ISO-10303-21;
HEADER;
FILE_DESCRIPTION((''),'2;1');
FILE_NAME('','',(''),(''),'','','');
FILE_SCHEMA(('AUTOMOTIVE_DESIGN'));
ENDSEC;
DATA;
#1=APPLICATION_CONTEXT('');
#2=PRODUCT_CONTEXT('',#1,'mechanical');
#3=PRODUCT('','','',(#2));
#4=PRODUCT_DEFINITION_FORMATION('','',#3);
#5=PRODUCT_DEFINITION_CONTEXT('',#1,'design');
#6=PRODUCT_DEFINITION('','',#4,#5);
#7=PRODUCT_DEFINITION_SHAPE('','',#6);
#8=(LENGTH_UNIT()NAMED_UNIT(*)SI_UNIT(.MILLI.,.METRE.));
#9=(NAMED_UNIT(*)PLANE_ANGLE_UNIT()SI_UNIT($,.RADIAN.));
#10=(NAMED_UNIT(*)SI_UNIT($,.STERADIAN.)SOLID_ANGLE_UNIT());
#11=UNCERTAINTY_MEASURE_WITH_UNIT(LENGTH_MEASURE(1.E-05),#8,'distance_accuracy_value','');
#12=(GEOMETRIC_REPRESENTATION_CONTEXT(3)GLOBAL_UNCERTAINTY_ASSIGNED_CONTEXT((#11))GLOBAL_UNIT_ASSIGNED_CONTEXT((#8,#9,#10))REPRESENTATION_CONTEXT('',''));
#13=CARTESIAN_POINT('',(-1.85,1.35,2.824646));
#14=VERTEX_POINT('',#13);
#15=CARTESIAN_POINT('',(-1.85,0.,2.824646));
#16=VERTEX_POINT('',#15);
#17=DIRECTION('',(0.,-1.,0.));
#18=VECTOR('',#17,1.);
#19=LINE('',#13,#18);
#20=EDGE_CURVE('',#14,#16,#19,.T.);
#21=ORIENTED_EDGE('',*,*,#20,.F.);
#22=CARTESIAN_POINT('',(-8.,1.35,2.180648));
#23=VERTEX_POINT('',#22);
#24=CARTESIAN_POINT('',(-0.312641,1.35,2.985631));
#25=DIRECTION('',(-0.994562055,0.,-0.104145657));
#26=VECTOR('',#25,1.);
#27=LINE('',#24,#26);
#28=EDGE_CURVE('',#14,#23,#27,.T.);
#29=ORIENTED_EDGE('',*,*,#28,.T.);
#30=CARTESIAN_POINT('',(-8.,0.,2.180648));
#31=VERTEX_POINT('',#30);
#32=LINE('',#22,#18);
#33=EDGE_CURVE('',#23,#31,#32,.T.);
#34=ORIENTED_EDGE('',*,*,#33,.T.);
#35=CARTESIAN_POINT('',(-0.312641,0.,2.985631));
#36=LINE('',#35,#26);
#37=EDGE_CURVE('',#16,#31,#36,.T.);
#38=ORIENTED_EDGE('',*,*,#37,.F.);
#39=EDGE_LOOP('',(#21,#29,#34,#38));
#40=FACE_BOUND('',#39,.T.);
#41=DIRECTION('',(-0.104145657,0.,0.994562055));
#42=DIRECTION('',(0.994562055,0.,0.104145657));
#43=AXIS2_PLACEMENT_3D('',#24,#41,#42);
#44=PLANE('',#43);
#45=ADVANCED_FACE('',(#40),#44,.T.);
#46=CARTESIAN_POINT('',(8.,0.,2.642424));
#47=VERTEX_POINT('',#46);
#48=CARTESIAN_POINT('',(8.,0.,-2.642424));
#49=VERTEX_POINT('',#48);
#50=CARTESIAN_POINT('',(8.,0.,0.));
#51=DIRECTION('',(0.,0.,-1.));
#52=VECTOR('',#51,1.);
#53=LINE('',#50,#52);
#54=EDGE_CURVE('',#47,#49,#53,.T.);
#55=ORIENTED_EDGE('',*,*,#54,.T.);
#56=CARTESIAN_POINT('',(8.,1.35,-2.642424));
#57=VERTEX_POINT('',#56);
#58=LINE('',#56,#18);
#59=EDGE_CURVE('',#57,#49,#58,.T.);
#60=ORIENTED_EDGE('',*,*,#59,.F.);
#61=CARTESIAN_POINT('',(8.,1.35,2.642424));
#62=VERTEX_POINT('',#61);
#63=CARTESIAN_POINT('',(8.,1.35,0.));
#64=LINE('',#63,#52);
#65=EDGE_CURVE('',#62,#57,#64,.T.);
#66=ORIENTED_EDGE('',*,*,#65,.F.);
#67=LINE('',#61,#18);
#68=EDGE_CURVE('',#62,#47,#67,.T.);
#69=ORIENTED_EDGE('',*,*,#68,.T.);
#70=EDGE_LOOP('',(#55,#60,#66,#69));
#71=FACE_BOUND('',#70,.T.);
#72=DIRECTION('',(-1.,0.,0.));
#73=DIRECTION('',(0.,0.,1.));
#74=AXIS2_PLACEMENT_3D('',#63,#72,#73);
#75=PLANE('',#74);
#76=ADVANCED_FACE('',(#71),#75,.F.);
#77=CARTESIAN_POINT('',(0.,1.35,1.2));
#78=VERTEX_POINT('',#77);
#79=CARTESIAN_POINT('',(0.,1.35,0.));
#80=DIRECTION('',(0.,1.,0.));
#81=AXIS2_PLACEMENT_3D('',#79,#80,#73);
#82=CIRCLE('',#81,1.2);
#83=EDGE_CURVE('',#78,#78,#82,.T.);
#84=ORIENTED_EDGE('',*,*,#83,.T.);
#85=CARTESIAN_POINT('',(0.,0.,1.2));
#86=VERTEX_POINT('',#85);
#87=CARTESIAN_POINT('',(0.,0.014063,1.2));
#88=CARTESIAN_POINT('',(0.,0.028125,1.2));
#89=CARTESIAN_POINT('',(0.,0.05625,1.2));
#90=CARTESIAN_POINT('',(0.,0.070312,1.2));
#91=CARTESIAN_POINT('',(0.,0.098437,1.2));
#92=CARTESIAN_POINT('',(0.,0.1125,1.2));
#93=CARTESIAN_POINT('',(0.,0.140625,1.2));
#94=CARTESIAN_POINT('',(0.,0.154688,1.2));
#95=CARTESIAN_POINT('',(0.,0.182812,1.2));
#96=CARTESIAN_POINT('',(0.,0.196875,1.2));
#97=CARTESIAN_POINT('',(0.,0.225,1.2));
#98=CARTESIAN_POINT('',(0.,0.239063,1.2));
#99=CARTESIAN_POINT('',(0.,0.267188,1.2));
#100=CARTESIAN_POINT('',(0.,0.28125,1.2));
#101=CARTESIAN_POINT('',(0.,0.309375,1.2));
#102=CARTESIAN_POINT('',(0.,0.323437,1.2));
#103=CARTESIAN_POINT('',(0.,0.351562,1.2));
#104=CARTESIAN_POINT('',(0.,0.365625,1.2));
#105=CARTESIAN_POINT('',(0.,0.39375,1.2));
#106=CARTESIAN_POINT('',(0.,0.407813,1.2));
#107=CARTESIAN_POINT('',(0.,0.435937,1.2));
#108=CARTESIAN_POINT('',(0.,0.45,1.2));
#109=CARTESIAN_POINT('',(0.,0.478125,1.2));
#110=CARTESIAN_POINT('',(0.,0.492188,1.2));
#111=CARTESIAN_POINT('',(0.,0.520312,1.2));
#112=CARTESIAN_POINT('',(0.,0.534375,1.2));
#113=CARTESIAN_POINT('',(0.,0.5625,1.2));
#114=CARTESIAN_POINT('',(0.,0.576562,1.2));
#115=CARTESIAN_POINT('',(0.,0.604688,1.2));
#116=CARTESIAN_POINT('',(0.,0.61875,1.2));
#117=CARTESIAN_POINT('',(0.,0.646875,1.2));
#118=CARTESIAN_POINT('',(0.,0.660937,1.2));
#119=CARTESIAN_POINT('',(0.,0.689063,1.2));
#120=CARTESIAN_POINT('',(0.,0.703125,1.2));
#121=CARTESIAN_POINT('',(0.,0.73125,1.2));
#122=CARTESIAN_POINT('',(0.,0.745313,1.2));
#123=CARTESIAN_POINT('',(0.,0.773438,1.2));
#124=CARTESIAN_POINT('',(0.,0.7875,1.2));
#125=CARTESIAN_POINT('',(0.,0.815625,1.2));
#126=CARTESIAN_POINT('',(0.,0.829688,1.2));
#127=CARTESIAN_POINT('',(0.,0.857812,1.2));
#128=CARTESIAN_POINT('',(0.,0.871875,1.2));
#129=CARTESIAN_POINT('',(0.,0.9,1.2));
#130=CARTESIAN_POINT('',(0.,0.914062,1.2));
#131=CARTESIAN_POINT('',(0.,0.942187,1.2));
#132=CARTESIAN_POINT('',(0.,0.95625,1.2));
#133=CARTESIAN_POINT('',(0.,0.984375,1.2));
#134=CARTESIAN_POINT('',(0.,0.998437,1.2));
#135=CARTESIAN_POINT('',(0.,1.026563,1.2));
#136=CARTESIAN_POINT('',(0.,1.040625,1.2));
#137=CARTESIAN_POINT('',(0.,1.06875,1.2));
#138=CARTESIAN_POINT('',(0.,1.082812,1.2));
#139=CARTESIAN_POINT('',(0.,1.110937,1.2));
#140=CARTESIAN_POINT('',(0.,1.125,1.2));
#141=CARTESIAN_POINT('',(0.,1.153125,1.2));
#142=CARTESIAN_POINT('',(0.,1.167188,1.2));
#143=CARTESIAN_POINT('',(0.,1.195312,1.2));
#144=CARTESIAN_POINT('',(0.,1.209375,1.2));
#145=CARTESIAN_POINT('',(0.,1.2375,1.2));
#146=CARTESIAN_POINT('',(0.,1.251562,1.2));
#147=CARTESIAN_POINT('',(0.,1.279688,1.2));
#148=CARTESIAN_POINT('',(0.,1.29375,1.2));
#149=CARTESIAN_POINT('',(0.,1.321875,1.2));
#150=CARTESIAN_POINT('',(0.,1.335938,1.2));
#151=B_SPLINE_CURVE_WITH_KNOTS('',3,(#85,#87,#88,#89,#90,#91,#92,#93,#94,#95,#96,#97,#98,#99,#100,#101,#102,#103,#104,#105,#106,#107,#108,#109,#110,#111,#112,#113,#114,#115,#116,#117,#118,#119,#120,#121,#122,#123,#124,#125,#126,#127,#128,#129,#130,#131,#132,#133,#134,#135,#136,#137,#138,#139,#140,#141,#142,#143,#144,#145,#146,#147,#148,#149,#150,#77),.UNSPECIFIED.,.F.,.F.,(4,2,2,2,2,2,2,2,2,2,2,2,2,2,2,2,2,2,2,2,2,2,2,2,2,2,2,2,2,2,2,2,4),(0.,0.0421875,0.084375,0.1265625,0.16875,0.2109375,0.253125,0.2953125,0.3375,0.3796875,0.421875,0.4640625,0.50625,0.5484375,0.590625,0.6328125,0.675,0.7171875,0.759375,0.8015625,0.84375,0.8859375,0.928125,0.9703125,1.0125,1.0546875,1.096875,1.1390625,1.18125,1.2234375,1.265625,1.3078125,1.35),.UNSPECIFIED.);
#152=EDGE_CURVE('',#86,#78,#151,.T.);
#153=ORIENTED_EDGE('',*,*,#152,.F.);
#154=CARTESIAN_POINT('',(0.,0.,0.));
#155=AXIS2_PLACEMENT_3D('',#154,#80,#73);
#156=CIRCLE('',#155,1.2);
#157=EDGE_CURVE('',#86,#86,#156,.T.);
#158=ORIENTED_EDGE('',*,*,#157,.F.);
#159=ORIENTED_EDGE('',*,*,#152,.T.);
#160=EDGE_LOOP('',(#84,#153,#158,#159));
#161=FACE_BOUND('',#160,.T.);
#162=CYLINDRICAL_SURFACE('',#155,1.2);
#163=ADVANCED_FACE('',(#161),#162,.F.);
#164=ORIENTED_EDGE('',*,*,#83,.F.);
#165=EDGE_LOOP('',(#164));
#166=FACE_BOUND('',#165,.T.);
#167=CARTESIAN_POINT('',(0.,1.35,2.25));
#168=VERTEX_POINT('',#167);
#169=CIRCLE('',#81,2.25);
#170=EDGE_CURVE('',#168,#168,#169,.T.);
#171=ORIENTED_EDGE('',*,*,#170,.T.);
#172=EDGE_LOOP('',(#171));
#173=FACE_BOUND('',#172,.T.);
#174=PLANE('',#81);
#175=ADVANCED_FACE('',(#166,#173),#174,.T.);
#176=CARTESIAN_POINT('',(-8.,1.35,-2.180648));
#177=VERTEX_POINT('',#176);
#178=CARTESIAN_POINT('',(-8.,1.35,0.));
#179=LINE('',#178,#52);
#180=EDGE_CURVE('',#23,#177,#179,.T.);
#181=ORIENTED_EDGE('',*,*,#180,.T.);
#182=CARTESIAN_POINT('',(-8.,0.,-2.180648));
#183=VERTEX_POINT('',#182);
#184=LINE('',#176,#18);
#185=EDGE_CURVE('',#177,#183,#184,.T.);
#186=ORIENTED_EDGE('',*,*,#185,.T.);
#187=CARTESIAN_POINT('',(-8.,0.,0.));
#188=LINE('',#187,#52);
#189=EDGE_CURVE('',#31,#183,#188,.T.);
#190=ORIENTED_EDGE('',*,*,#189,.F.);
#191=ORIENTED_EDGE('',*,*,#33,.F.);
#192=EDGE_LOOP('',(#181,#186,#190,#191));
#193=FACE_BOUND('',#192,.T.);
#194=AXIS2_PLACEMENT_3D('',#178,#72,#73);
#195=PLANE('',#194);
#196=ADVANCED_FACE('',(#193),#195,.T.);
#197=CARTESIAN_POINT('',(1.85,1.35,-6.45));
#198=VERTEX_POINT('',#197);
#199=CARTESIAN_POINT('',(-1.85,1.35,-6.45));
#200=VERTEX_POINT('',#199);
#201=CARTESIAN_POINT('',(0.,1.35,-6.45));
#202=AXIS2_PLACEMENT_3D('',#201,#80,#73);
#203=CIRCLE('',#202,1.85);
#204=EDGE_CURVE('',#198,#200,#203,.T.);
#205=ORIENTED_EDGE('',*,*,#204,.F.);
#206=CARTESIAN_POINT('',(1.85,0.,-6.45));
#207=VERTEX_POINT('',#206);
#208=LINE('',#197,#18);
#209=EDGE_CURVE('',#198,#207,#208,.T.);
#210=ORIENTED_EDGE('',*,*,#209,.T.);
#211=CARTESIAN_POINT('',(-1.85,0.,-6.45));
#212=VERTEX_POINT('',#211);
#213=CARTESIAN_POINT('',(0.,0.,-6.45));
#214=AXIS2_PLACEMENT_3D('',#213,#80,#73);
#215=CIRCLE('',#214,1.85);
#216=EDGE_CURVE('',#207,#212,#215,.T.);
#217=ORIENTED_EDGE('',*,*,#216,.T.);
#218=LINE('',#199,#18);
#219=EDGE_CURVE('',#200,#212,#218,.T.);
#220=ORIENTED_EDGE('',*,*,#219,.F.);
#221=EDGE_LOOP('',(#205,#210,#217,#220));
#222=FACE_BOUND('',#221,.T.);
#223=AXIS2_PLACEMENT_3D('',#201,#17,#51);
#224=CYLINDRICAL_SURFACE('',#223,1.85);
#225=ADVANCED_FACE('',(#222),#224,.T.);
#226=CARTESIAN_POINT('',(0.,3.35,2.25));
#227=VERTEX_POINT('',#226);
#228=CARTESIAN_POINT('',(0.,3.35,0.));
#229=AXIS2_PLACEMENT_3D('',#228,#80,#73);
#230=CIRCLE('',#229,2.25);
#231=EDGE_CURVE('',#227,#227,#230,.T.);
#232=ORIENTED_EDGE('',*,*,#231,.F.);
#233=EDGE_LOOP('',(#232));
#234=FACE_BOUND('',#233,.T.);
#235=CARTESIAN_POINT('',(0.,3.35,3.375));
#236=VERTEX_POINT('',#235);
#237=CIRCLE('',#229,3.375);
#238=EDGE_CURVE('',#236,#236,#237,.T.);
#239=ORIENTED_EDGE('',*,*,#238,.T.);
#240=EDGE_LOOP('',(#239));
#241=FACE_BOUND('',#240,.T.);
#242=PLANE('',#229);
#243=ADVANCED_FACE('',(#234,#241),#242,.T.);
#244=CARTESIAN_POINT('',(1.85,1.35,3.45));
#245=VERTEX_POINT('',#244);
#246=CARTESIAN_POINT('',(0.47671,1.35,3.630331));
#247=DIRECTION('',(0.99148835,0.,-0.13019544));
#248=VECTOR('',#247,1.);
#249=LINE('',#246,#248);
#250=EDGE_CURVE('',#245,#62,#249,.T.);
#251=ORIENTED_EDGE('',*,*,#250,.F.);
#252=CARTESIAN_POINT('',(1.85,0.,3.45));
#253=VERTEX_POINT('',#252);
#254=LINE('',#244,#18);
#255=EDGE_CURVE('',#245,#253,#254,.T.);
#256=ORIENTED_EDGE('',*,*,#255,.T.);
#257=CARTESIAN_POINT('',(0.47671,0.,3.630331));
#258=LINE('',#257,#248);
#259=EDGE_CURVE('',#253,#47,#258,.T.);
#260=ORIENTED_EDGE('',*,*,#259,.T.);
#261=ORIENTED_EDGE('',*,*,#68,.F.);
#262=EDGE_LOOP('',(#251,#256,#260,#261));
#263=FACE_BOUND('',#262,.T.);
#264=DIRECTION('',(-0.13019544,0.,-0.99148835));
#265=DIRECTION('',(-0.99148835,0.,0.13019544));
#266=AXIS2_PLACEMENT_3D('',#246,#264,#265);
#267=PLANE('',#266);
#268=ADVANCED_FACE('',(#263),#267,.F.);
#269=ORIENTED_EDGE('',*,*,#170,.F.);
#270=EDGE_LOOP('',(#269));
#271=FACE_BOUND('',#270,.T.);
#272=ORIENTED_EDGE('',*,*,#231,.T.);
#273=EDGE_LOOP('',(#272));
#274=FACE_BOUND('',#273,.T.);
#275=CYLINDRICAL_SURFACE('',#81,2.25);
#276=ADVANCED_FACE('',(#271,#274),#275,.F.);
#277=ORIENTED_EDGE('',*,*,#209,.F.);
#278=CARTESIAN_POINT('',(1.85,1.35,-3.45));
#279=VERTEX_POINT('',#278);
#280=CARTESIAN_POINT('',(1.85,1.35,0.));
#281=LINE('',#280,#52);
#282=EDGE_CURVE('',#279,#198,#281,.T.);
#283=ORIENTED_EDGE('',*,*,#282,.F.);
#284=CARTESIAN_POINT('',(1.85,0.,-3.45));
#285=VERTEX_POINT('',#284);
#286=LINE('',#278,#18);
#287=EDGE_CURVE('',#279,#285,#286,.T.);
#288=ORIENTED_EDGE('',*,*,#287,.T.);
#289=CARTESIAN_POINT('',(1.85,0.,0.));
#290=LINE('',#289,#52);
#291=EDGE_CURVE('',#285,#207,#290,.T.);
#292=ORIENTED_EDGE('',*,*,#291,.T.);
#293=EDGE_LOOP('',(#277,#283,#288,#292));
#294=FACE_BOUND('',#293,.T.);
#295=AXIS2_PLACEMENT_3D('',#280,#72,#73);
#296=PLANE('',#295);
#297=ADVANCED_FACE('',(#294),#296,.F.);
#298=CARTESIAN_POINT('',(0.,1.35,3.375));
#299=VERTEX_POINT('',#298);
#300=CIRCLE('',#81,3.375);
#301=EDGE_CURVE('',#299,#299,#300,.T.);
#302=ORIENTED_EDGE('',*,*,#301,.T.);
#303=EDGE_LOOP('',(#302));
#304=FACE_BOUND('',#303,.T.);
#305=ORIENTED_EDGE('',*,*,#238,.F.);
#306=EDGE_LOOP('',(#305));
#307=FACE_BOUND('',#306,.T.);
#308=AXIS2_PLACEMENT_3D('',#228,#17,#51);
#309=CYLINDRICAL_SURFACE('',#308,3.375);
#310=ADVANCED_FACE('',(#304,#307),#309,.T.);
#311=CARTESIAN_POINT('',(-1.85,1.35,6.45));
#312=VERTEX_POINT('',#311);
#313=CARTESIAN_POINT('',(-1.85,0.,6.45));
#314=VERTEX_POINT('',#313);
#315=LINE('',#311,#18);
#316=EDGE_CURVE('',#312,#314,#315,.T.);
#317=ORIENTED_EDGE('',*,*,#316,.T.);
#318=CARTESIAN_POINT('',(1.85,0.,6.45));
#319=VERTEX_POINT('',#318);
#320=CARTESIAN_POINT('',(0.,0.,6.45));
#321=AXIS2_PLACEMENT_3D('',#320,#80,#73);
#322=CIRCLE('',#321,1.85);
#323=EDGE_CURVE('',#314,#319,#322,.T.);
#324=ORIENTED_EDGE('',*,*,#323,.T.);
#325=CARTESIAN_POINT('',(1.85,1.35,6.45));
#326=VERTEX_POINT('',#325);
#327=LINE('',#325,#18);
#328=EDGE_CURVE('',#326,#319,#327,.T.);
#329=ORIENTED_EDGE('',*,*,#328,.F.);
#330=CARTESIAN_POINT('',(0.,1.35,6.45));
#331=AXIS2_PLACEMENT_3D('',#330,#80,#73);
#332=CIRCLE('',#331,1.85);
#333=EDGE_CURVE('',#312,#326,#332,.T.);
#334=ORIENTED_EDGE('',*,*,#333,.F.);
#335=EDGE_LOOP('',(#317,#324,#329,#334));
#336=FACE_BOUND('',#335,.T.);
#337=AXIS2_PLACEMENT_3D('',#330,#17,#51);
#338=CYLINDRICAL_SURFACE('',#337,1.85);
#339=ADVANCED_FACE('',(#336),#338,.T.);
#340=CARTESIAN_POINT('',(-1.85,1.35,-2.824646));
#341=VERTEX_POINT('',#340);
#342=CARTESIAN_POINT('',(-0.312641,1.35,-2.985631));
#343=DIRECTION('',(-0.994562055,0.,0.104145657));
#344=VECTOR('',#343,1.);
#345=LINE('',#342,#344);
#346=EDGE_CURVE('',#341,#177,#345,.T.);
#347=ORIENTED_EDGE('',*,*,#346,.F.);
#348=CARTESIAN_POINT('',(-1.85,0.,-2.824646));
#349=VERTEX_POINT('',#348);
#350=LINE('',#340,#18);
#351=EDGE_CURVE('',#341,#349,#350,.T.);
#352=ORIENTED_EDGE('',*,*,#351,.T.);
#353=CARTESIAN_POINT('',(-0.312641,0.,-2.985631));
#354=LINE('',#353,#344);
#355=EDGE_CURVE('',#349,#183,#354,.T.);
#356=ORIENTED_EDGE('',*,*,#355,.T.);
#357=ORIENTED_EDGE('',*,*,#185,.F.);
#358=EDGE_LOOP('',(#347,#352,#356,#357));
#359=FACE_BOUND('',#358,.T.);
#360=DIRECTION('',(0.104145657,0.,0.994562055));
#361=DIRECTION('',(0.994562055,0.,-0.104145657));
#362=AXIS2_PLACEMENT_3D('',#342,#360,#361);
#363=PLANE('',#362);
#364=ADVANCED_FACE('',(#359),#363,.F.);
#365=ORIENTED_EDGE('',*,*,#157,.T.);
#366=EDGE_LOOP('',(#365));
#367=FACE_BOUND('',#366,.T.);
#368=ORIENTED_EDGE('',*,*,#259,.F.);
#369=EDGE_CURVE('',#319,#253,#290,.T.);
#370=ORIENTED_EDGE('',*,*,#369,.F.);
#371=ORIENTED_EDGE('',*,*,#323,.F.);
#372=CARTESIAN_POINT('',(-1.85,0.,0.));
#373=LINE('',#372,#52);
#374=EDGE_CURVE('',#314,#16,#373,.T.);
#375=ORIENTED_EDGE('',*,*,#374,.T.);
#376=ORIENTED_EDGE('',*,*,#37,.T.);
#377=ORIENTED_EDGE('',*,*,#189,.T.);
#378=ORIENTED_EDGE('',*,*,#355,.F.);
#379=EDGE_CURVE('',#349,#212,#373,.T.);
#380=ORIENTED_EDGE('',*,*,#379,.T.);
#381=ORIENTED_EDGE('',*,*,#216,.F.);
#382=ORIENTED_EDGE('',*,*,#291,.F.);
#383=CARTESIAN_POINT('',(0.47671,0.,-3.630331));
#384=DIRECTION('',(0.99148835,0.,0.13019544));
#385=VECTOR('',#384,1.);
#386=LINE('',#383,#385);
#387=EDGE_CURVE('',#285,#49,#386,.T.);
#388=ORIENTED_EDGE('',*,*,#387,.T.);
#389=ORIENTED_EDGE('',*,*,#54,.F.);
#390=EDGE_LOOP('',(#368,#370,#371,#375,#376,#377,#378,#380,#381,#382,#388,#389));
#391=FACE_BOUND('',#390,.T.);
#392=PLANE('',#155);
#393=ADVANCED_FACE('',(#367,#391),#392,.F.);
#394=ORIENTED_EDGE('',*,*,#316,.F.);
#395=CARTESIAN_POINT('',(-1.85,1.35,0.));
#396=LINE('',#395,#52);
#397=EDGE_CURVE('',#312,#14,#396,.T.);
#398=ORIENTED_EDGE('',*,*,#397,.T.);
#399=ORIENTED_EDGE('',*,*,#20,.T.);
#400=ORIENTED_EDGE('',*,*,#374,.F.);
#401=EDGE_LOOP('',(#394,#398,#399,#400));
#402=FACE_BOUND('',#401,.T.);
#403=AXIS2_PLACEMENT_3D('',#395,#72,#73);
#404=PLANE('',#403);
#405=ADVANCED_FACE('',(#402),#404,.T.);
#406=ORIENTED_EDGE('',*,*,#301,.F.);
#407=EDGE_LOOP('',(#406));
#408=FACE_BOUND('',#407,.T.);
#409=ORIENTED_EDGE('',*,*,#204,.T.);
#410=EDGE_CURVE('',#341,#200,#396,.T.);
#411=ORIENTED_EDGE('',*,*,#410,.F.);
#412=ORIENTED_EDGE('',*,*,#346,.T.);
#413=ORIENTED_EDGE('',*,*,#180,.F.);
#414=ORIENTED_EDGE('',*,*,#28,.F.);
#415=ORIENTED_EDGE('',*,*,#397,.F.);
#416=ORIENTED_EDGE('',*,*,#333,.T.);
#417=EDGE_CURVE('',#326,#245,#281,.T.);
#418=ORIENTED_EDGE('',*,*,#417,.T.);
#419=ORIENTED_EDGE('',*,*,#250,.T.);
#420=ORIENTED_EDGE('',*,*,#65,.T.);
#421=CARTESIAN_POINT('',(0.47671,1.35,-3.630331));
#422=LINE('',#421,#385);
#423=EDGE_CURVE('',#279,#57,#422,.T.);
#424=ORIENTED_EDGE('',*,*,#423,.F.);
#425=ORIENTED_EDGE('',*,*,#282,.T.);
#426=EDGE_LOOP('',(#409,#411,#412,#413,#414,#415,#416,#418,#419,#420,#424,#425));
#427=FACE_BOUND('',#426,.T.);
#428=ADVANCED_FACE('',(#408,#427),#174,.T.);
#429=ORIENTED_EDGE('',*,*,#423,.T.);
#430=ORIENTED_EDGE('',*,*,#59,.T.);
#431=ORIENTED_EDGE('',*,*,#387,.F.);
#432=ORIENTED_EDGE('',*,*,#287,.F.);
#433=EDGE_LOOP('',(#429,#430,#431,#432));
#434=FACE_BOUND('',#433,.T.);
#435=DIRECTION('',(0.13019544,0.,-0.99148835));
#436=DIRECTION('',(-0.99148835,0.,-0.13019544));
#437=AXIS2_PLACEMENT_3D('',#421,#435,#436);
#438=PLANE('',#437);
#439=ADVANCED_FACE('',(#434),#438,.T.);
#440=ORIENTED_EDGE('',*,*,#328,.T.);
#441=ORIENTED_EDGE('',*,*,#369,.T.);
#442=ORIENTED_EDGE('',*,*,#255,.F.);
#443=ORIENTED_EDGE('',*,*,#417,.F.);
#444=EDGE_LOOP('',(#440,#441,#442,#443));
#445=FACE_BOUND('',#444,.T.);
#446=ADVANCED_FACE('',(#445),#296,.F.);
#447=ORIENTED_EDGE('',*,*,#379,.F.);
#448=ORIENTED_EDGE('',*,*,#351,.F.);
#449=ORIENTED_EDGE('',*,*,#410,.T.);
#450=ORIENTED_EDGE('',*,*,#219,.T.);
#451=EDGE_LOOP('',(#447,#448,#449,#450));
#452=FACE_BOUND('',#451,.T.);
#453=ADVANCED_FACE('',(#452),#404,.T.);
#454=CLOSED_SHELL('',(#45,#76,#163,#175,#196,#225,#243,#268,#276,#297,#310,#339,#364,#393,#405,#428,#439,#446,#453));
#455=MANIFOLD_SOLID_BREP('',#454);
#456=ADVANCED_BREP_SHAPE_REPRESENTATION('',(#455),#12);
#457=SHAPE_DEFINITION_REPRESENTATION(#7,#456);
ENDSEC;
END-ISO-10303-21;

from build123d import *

# Parameters (mm, degrees)
ESTRUSIONE_ESTRUSIONE1_DEPTH = 1.35
SCHIZZO2_R                   = 3.375
ESTRUSIONE_ESTRUSIONE2_DEPTH = 2
SCHIZZO3_R                   = 2.25
TAGLIO_ESTRUSIONE1_DEPTH     = 2
SCHIZZO4_R                   = 1.2
TAGLIO_ESTRUSIONE2_DEPTH     = 12.7


with BuildPart() as part:
    # Schizzo1 → Estrusione-Estrusione1 (new body)
    with BuildSketch(Plane(origin=(0, 0, 0), x_dir=(1, 0, 0), z_dir=(0, 1, 0))):
        with BuildLine():
            ThreePointArc((1.85, 6.45), (0, 8.3), (-1.85, 6.45))
            Line((-1.85, 6.45), (-1.85, 2.824645909))
            Line((-1.85, 2.824645909), (-8, 2.180648096))
            Line((-8, 2.180648096), (-8, -2.180648096))
            Line((-8, -2.180648096), (-1.85, -2.824645909))
            Line((-1.85, -2.824645909), (-1.85, -6.45))
            ThreePointArc((-1.85, -6.45), (0, -8.3), (1.85, -6.45))
            Line((1.85, -6.45), (1.85, -3.45))
            Line((1.85, -3.45), (8, -2.642424242))
            Line((8, -2.642424242), (8, 2.642424242))
            Line((8, 2.642424242), (1.85, 3.45))
            Line((1.85, 3.45), (1.85, 6.45))
        make_face()
    extrude(amount=ESTRUSIONE_ESTRUSIONE1_DEPTH)

    # Schizzo2 → Estrusione-Estrusione2 (add)
    with BuildSketch(Plane(origin=(0, 1.35, 0), x_dir=(1, 0, 0), z_dir=(0, 1, 0))):
        with Locations(Location((0, 0, 0), (0, 0, 270))):
            Circle(SCHIZZO2_R)
    extrude(amount=ESTRUSIONE_ESTRUSIONE2_DEPTH)

    # Schizzo3 → Taglio-Estrusione1 (cut)
    with BuildSketch(Plane(origin=(0, 3.35, 0), x_dir=(1, 0, 0), z_dir=(0, 1, 0))):
        with Locations(Location((0, 0, 0), (0, 0, 270))):
            Circle(SCHIZZO3_R)
    extrude(amount=-TAGLIO_ESTRUSIONE1_DEPTH, mode=Mode.SUBTRACT)

    # Schizzo4 → Taglio-Estrusione2 (cut, through all)
    with BuildSketch(Plane(origin=(0, 1.35, 0), x_dir=(1, 0, 0), z_dir=(0, 1, 0))):
        with Locations(Location((0, 0, 0), (0, 0, 270))):
            Circle(SCHIZZO4_R)
    extrude(amount=-TAGLIO_ESTRUSIONE2_DEPTH, mode=Mode.SUBTRACT)


solid = part.part
